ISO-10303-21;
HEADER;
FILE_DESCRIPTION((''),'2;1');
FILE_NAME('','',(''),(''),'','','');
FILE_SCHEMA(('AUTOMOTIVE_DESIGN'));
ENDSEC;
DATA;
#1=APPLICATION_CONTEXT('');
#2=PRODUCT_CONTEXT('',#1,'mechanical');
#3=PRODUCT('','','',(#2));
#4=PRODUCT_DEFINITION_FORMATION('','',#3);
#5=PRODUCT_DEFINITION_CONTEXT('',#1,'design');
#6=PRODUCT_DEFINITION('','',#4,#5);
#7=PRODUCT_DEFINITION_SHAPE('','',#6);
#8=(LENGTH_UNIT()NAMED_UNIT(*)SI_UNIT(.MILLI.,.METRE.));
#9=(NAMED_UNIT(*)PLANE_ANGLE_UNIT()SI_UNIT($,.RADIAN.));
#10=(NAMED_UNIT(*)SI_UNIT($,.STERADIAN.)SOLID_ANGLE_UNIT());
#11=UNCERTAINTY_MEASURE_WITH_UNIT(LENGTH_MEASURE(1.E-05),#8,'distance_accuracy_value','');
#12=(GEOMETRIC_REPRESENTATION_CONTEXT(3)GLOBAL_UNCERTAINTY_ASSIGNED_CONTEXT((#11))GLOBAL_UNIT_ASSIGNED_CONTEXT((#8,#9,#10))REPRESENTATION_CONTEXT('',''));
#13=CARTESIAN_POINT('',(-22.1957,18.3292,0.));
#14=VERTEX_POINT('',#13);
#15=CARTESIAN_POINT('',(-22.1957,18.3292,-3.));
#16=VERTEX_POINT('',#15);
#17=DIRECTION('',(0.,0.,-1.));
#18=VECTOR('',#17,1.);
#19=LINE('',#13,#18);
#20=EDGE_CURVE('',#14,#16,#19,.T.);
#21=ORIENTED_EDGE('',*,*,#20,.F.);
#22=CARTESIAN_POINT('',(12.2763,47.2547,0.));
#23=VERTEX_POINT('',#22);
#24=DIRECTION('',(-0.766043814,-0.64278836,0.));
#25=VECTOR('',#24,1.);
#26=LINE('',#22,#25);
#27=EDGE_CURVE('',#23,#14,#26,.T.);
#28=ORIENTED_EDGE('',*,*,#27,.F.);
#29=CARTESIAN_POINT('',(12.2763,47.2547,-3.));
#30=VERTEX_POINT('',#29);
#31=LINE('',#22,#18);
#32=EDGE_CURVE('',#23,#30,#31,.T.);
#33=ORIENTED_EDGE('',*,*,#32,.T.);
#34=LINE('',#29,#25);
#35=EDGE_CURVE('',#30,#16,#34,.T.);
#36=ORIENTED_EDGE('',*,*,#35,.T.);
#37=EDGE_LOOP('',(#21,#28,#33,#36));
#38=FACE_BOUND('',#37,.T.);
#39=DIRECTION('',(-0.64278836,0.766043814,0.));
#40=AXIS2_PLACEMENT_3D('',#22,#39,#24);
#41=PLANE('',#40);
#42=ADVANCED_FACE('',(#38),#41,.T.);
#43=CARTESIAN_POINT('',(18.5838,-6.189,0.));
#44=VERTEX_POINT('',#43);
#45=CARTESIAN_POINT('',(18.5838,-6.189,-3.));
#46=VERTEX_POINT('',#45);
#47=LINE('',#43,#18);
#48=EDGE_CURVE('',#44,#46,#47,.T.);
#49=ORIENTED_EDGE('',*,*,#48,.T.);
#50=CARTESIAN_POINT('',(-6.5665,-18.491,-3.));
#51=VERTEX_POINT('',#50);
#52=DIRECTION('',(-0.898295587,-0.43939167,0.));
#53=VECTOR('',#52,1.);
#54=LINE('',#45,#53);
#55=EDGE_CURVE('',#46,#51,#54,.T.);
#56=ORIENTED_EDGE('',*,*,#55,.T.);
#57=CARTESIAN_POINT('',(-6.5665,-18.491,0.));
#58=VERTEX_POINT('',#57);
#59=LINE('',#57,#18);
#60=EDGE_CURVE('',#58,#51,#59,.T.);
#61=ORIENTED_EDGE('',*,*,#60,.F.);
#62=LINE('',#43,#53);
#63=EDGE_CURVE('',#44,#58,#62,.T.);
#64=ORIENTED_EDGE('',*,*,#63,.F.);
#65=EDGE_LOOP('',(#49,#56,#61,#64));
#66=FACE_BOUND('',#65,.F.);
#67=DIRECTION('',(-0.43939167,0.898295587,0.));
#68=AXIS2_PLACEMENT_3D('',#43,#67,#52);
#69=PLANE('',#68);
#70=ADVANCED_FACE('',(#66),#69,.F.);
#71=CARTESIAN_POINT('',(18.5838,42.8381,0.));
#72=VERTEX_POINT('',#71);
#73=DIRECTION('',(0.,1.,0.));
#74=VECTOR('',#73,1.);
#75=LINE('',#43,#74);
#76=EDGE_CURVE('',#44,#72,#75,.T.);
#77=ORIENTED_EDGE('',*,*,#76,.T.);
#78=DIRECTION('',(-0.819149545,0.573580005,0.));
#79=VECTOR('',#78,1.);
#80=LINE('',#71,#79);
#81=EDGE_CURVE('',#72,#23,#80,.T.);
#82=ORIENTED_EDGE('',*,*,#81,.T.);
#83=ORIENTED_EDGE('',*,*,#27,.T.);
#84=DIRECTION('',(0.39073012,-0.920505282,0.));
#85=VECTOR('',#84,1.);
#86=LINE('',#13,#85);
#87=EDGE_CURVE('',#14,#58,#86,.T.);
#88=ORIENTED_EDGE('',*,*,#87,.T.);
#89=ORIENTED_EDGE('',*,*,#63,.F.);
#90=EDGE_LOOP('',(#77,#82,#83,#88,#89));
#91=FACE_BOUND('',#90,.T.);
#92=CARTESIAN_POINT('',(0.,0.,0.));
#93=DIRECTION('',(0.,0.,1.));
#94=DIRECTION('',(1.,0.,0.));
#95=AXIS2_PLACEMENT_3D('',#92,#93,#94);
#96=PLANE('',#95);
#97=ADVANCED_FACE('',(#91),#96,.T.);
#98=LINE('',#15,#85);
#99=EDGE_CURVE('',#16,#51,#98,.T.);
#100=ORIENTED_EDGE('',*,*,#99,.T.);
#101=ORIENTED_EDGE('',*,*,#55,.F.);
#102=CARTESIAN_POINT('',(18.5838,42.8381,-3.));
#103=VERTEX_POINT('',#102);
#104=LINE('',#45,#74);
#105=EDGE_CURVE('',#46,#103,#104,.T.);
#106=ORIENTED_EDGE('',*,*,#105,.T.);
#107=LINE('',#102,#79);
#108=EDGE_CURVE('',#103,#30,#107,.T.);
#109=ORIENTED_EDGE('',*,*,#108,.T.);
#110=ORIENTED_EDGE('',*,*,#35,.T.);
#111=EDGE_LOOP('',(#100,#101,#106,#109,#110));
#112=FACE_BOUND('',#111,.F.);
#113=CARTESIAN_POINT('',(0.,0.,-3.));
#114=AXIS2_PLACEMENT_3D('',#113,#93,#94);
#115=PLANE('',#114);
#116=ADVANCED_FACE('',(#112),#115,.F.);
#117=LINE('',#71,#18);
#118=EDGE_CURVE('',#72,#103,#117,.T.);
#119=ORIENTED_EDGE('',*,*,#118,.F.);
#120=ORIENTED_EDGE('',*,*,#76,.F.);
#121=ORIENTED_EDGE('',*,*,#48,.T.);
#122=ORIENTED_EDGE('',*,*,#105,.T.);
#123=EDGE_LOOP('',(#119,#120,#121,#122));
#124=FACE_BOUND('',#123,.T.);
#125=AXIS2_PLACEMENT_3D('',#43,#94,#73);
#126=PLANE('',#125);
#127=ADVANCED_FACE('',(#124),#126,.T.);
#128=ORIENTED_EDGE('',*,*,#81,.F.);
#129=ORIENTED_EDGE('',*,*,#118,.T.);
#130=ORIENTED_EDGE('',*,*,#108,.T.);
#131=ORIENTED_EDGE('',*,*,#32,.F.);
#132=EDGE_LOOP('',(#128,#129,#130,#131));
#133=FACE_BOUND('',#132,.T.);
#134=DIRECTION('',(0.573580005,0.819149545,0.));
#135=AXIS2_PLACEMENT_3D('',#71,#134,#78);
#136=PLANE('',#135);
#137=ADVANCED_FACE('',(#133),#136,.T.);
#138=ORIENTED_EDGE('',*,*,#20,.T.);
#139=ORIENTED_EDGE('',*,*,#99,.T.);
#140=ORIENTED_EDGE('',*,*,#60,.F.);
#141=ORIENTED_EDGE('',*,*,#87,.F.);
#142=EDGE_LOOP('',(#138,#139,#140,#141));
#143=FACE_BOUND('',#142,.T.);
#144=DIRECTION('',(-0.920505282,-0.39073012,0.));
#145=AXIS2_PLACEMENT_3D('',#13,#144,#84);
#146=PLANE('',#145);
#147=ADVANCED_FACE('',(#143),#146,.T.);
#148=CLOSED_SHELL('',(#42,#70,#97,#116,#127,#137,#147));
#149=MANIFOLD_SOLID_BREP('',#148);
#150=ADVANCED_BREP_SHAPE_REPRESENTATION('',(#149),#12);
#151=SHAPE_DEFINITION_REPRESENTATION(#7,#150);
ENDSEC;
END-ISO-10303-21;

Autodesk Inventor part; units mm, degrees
ref_plane "YZ Plane" through (0, 0, 0) normal (1, 0, 0) x (0, 1, 0)
ref_plane "XZ Plane" through (0, 0, 0) normal (0, 1, 0) x (-1, 0, 0)
ref_plane "XY Plane" through (0, 0, 0) normal (0, 0, 1) x (1, 0, 0)
sketch "Sketch1" plane through (0, 0, 0) normal (0, 0, 1) x (1, 0, 0)
  line L0 (18.5838, -6.189) -> (18.5838, 42.8381)
  line L1 (18.5838, 42.8381) -> (12.2763, 47.2547)
  line L2 (12.2763, 47.2547) -> (-22.1957, 18.3292)
  line L3 (-22.1957, 18.3292) -> (-6.5665, -18.491)
  line L4 (18.5838, -6.189) -> (-6.5665, -18.491)
  point P0 (0, 0)
  point P1 (0, 0)
  dimension "d0" = 125
  dimension "d1" = 116.065
  dimension "d2" = 50
  dimension "d3" = 23
  dimension "d4" = 18.5838
  dimension "d5" = 45.7502
  dimension "d6" = 13.7251
  dimension "d7" = 28.3081
  dimension "d8" = 13.2695
extrude "Extrusion1" add sketch "Sketch1" against normal blind 3
properties part number "Tafe WA LOGO backplate"
